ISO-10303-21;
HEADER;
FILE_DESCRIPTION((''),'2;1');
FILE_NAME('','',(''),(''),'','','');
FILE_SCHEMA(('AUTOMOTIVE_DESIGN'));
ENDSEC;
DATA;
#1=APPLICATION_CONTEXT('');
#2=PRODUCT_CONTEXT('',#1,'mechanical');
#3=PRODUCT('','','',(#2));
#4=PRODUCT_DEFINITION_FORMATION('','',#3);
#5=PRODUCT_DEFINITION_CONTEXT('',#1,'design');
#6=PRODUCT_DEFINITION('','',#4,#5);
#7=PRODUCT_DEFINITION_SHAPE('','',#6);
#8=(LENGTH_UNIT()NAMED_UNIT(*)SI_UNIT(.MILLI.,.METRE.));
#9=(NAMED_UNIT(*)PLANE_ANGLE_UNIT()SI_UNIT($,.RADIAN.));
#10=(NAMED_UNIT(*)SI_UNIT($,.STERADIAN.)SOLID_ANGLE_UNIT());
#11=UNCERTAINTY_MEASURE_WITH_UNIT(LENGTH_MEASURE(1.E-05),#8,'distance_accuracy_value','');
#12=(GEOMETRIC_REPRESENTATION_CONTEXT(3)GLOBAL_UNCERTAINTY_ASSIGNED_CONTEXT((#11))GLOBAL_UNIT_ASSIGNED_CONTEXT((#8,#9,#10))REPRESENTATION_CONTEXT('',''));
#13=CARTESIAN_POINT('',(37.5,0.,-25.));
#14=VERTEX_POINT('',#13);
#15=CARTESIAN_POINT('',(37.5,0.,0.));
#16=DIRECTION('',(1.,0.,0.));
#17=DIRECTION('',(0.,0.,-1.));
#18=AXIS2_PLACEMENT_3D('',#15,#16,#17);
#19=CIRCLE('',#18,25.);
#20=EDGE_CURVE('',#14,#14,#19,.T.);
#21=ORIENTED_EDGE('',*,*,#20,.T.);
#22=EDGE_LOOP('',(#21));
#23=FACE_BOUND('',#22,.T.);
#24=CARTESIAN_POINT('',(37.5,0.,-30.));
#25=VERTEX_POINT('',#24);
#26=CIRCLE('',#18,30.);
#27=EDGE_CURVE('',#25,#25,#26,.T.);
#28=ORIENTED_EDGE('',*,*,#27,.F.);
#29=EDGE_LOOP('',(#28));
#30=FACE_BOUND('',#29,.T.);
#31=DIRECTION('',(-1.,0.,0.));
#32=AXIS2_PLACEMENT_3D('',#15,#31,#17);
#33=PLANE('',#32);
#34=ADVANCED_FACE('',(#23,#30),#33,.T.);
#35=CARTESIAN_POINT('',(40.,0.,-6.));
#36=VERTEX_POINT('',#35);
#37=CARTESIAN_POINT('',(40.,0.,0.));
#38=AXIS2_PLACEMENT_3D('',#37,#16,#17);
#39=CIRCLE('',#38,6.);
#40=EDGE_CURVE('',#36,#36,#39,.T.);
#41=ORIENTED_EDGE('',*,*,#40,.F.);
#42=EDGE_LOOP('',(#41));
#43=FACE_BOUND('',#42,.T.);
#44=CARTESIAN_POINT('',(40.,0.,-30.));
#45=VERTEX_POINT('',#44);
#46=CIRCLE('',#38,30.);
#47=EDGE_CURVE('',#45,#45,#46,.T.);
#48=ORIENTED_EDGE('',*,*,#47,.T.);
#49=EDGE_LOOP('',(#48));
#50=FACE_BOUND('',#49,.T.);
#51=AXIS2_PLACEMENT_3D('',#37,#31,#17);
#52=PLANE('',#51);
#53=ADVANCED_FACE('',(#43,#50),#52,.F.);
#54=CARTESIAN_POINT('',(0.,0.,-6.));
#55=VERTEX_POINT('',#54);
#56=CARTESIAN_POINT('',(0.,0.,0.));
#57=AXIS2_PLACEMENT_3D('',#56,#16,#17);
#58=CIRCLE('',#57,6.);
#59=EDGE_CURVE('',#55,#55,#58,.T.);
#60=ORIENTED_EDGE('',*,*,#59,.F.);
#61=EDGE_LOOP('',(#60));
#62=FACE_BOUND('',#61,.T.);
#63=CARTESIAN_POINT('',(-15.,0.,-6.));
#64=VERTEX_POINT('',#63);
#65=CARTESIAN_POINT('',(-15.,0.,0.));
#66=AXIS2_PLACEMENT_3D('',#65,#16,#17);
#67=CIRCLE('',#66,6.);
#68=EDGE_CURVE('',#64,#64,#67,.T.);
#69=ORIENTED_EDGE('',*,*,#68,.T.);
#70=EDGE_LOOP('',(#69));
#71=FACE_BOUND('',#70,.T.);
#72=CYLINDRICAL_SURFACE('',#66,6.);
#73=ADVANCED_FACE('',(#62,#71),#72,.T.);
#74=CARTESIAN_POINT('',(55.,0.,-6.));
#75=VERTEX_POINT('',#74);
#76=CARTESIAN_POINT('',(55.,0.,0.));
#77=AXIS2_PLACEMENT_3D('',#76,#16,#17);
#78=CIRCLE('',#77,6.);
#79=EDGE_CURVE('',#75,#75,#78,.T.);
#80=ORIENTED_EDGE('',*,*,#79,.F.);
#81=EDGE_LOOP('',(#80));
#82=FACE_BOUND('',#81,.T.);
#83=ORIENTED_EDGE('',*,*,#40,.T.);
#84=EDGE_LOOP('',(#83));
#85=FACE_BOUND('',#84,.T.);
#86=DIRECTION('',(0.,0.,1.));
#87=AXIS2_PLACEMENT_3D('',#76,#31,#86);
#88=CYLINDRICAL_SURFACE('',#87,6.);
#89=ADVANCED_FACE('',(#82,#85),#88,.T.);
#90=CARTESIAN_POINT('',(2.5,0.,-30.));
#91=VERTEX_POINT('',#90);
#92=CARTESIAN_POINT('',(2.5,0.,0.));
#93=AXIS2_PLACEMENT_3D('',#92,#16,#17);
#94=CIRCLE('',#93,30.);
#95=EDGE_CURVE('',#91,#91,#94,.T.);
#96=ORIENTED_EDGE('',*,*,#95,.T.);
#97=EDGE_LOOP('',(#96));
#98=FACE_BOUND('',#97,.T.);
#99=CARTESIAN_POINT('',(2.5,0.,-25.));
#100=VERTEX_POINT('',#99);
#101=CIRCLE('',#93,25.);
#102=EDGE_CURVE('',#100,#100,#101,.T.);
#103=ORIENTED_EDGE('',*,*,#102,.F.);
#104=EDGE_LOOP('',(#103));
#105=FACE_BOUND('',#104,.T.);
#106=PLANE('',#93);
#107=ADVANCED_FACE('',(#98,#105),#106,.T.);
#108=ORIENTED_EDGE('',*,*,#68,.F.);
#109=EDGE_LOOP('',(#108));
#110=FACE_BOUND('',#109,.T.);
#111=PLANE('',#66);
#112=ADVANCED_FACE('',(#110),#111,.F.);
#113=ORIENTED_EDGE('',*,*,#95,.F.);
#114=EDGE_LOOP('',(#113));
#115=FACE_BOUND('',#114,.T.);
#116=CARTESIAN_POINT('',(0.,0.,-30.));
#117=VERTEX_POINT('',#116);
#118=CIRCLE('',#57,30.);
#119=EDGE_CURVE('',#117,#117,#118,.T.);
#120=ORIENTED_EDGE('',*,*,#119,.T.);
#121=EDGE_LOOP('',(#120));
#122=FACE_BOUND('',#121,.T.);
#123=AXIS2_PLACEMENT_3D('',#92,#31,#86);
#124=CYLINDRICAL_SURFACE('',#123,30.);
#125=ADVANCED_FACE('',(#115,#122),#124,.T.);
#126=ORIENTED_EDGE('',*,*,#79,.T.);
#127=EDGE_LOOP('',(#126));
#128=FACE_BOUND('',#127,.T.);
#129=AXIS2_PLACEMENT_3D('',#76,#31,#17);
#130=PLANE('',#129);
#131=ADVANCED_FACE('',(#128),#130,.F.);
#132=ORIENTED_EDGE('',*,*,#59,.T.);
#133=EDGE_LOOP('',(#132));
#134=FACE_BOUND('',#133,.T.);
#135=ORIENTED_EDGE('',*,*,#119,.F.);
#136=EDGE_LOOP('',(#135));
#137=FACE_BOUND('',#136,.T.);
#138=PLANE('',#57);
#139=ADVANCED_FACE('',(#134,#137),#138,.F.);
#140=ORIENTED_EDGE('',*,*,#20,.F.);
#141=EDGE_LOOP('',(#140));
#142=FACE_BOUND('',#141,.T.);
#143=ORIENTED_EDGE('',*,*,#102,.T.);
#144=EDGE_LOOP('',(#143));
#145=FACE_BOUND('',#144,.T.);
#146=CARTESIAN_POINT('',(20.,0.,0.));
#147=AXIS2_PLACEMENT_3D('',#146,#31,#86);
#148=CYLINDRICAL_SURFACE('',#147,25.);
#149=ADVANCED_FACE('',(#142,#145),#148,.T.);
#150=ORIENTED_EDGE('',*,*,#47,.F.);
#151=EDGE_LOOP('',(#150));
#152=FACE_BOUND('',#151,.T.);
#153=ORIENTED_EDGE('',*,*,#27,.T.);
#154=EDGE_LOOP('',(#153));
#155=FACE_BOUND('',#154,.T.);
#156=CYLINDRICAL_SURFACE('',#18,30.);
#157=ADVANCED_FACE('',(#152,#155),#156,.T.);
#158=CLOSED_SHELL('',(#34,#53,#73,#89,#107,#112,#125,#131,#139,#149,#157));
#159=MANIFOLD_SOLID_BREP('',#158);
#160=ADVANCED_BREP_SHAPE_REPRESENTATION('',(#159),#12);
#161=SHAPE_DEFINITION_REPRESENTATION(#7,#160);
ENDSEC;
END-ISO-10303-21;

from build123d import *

# Parameters (mm, degrees)
SKETCH3_R           = 6
BOSS_EXTRUDE1_DEPTH = 15
SKETCH4_R           = 30
BOSS_EXTRUDE2_DEPTH = 2.5
BOSS_EXTRUDE3_START = 2.5
SKETCH4_3_R         = 25
BOSS_EXTRUDE3_DEPTH = 17.5


with BuildPart() as part:
    # Sketch3 → Boss-Extrude1 (new body)
    with BuildSketch(Plane(origin=(0, 0, 0), x_dir=(0, 0, -1), z_dir=(1, 0, 0))):
        Circle(SKETCH3_R)
    boss_extrude1 = extrude(amount=-BOSS_EXTRUDE1_DEPTH)

    # Sketch4 → Boss-Extrude2 (add)
    with BuildSketch(Plane(origin=(0, 0, 0), x_dir=(0, 0, -1), z_dir=(1, 0, 0))):
        Circle(SKETCH4_R)
    boss_extrude2 = extrude(amount=BOSS_EXTRUDE2_DEPTH)

    # Sketch4<3> → Boss-Extrude3 (add)
    with BuildSketch(Plane(origin=(0, 0, 0), x_dir=(0, 0, -1), z_dir=(1, 0, 0)).offset(BOSS_EXTRUDE3_START)):
        Circle(SKETCH4_3_R)
    boss_extrude3 = extrude(amount=BOSS_EXTRUDE3_DEPTH)

    # Mirror1: Boss-Extrude3 across plane
    add(boss_extrude3.mirror(Plane(origin=(20, 0, 0), x_dir=(0, 0, 1), z_dir=(1, 0, 0))))

    # Mirror2: Boss-Extrude2 across plane
    add(boss_extrude2.mirror(Plane(origin=(20, 0, 0), x_dir=(0, 0, 1), z_dir=(1, 0, 0))))

    # Mirror3: Boss-Extrude1 across plane
    add(boss_extrude1.mirror(Plane(origin=(20, 0, 0), x_dir=(0, 0, 1), z_dir=(1, 0, 0))))


solid = part.part
